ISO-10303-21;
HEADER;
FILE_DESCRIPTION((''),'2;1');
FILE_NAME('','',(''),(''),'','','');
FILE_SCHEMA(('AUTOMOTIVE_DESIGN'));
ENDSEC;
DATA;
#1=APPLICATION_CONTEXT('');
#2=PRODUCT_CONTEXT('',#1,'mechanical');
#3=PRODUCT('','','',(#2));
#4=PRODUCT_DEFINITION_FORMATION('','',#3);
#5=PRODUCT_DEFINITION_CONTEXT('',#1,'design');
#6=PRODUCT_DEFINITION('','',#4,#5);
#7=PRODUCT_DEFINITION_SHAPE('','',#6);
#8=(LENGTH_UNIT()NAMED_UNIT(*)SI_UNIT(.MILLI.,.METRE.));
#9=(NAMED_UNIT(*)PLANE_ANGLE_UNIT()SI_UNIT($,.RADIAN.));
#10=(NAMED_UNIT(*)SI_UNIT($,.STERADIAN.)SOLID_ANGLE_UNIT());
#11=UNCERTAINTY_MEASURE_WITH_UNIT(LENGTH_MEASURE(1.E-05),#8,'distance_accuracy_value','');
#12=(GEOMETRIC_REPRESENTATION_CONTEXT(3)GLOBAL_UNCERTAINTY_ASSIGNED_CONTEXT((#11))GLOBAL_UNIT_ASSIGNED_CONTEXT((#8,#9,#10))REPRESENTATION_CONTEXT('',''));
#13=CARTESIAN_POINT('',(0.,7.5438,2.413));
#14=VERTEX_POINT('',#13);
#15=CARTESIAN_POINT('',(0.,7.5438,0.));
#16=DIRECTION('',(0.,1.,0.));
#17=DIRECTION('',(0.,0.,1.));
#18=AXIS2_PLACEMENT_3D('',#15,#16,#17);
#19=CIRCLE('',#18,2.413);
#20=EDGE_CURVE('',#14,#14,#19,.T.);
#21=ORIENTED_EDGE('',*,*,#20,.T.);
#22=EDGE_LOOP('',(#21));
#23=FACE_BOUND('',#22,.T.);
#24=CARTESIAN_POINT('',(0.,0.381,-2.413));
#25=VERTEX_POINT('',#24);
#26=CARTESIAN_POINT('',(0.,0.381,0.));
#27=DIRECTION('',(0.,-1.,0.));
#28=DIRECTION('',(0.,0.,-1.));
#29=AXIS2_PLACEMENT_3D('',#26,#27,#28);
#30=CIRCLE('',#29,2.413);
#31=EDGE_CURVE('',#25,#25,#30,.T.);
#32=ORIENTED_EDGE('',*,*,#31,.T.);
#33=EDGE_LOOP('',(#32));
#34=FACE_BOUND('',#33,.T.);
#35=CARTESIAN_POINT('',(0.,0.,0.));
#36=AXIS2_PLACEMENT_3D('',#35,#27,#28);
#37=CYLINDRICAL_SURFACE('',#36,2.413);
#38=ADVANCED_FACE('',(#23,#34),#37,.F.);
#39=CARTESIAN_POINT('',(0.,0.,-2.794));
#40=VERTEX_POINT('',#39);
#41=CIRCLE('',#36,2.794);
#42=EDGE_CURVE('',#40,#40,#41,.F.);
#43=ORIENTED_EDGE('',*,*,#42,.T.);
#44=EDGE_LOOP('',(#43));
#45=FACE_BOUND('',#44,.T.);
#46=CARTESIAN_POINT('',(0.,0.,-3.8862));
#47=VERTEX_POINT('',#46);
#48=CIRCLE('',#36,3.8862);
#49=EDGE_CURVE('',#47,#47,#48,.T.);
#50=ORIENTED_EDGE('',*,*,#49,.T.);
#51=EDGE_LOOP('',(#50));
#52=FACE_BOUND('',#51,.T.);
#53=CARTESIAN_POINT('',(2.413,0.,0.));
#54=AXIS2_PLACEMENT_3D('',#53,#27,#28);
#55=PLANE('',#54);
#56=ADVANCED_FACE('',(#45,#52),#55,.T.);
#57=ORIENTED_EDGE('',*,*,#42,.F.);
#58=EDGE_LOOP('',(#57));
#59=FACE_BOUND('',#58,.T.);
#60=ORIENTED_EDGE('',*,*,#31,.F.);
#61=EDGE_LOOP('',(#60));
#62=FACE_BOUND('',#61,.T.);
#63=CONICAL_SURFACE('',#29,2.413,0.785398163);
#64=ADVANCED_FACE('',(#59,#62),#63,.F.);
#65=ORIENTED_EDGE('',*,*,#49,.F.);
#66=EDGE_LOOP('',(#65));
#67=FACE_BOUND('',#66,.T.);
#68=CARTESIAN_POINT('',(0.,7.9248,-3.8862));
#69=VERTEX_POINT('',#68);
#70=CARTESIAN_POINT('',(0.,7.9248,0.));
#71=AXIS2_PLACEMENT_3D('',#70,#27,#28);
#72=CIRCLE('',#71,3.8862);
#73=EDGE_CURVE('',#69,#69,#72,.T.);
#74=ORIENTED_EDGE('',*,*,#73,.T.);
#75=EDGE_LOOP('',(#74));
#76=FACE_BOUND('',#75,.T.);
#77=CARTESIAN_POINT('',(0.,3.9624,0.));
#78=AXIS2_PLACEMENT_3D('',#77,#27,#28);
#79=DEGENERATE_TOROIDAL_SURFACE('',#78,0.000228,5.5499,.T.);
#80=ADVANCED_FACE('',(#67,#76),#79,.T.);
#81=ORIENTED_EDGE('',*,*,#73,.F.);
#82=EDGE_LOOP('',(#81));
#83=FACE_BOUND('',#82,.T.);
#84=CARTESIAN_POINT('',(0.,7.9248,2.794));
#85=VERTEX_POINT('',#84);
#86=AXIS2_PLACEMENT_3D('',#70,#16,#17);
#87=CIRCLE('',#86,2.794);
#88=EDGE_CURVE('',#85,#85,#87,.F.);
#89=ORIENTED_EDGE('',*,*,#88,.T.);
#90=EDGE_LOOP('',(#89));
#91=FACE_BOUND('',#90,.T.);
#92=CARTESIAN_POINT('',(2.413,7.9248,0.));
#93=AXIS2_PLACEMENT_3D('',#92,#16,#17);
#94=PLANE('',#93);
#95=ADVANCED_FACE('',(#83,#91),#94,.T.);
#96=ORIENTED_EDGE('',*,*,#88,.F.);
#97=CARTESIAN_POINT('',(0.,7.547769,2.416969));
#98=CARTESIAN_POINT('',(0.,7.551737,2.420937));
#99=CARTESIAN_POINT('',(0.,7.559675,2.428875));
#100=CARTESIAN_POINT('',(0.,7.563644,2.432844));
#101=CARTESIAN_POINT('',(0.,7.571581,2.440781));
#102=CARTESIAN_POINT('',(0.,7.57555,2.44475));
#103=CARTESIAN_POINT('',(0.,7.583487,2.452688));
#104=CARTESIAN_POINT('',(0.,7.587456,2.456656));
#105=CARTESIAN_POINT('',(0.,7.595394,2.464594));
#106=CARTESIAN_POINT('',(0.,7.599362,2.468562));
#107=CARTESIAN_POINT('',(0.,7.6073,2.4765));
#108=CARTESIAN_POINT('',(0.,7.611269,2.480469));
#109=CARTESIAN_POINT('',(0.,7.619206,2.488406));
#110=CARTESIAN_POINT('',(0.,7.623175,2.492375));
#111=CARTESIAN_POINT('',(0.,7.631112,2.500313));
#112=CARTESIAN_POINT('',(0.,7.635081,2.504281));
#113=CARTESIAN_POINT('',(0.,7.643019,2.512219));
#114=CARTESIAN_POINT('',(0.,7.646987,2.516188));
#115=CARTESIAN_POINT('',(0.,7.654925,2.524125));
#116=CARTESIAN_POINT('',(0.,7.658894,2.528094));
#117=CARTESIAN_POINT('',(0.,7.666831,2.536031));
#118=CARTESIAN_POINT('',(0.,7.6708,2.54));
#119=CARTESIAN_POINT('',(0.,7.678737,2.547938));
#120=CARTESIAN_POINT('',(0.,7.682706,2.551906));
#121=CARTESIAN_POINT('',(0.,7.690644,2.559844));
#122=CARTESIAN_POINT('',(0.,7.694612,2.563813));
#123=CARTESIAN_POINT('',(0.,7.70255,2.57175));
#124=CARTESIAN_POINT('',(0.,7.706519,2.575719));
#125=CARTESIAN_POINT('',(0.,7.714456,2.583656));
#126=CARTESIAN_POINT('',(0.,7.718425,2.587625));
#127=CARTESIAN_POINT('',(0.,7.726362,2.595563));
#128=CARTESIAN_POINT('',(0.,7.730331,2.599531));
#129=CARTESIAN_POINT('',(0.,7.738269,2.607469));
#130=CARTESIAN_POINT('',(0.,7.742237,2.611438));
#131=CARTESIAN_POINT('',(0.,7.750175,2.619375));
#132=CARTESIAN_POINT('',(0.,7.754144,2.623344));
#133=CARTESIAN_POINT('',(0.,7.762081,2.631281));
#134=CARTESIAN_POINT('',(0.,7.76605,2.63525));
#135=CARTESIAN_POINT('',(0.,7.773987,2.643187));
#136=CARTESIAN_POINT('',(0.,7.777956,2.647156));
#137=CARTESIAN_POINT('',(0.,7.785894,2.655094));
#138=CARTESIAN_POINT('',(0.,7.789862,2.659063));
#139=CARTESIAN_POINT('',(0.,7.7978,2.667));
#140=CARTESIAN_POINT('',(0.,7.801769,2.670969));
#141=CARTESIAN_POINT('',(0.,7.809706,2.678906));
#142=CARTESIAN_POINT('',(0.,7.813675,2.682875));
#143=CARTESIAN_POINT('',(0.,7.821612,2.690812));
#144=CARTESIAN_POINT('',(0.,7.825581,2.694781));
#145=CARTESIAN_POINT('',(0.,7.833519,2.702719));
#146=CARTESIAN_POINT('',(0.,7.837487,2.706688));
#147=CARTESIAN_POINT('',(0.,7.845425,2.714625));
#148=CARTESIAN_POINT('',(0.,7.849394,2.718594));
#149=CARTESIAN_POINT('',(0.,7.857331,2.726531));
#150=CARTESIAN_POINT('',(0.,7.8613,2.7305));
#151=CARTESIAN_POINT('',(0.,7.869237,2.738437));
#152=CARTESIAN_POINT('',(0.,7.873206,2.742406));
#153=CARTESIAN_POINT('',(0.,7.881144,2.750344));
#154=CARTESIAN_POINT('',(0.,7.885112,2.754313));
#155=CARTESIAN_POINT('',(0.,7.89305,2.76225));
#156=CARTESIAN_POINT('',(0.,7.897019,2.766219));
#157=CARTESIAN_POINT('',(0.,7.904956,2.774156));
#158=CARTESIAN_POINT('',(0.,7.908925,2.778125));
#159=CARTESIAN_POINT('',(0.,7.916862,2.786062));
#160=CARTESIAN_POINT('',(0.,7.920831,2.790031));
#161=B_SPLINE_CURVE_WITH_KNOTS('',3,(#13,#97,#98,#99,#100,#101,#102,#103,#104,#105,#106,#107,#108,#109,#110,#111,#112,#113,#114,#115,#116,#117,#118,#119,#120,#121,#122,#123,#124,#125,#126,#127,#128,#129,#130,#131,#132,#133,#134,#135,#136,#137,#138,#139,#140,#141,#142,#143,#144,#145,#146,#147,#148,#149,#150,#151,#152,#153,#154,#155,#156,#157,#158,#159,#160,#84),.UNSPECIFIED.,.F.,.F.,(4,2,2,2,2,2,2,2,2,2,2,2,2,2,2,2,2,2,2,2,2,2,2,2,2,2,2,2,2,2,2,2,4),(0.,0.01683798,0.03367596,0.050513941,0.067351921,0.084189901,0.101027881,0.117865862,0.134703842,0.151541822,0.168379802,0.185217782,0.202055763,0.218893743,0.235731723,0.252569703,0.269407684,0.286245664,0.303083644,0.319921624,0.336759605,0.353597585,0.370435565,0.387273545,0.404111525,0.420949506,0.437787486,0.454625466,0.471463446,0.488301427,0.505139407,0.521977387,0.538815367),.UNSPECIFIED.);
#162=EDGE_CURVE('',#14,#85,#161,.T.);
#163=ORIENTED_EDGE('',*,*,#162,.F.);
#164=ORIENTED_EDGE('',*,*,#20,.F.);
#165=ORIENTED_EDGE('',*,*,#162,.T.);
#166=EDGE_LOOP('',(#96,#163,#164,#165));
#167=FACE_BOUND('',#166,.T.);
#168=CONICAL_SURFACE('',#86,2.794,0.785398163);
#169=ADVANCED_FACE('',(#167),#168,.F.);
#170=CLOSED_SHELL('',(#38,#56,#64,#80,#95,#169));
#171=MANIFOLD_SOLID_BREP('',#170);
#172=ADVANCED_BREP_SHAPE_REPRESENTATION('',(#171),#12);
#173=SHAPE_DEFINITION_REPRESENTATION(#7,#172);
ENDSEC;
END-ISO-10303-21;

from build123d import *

# Parameters (mm, degrees)
CHAMFER1_SIZE = 0.381


with BuildPart() as part:
    # Sketch1 → Revolve1 (revolve)
    with BuildSketch(Plane.XY, mode=Mode.PRIVATE) as revolve1_sk:
        with BuildLine():
            Line((2.413, 0), (2.413, 7.9248))
            Line((2.413, 7.9248), (3.8862, 7.9248))
            ThreePointArc((3.8862, 7.9248), (5.550128275, 3.9624), (3.8862, 0))
            Line((3.8862, 0), (2.413, 0))
        make_face()
    revolve(revolve1_sk.sketch.rotate(Axis((0, 0, 0), (0, 1, 0)), 90), axis=Axis((0, 0, 0), (0, 1, 0)))

    # Chamfer1
    chamfer1_edges = [part.edges().sort_by_distance(p)[0] for p in [
        (0, 7.9248, 2.413),
        (0, 0, 2.413),
    ]]
    chamfer(chamfer1_edges, length=CHAMFER1_SIZE)


solid = part.part
